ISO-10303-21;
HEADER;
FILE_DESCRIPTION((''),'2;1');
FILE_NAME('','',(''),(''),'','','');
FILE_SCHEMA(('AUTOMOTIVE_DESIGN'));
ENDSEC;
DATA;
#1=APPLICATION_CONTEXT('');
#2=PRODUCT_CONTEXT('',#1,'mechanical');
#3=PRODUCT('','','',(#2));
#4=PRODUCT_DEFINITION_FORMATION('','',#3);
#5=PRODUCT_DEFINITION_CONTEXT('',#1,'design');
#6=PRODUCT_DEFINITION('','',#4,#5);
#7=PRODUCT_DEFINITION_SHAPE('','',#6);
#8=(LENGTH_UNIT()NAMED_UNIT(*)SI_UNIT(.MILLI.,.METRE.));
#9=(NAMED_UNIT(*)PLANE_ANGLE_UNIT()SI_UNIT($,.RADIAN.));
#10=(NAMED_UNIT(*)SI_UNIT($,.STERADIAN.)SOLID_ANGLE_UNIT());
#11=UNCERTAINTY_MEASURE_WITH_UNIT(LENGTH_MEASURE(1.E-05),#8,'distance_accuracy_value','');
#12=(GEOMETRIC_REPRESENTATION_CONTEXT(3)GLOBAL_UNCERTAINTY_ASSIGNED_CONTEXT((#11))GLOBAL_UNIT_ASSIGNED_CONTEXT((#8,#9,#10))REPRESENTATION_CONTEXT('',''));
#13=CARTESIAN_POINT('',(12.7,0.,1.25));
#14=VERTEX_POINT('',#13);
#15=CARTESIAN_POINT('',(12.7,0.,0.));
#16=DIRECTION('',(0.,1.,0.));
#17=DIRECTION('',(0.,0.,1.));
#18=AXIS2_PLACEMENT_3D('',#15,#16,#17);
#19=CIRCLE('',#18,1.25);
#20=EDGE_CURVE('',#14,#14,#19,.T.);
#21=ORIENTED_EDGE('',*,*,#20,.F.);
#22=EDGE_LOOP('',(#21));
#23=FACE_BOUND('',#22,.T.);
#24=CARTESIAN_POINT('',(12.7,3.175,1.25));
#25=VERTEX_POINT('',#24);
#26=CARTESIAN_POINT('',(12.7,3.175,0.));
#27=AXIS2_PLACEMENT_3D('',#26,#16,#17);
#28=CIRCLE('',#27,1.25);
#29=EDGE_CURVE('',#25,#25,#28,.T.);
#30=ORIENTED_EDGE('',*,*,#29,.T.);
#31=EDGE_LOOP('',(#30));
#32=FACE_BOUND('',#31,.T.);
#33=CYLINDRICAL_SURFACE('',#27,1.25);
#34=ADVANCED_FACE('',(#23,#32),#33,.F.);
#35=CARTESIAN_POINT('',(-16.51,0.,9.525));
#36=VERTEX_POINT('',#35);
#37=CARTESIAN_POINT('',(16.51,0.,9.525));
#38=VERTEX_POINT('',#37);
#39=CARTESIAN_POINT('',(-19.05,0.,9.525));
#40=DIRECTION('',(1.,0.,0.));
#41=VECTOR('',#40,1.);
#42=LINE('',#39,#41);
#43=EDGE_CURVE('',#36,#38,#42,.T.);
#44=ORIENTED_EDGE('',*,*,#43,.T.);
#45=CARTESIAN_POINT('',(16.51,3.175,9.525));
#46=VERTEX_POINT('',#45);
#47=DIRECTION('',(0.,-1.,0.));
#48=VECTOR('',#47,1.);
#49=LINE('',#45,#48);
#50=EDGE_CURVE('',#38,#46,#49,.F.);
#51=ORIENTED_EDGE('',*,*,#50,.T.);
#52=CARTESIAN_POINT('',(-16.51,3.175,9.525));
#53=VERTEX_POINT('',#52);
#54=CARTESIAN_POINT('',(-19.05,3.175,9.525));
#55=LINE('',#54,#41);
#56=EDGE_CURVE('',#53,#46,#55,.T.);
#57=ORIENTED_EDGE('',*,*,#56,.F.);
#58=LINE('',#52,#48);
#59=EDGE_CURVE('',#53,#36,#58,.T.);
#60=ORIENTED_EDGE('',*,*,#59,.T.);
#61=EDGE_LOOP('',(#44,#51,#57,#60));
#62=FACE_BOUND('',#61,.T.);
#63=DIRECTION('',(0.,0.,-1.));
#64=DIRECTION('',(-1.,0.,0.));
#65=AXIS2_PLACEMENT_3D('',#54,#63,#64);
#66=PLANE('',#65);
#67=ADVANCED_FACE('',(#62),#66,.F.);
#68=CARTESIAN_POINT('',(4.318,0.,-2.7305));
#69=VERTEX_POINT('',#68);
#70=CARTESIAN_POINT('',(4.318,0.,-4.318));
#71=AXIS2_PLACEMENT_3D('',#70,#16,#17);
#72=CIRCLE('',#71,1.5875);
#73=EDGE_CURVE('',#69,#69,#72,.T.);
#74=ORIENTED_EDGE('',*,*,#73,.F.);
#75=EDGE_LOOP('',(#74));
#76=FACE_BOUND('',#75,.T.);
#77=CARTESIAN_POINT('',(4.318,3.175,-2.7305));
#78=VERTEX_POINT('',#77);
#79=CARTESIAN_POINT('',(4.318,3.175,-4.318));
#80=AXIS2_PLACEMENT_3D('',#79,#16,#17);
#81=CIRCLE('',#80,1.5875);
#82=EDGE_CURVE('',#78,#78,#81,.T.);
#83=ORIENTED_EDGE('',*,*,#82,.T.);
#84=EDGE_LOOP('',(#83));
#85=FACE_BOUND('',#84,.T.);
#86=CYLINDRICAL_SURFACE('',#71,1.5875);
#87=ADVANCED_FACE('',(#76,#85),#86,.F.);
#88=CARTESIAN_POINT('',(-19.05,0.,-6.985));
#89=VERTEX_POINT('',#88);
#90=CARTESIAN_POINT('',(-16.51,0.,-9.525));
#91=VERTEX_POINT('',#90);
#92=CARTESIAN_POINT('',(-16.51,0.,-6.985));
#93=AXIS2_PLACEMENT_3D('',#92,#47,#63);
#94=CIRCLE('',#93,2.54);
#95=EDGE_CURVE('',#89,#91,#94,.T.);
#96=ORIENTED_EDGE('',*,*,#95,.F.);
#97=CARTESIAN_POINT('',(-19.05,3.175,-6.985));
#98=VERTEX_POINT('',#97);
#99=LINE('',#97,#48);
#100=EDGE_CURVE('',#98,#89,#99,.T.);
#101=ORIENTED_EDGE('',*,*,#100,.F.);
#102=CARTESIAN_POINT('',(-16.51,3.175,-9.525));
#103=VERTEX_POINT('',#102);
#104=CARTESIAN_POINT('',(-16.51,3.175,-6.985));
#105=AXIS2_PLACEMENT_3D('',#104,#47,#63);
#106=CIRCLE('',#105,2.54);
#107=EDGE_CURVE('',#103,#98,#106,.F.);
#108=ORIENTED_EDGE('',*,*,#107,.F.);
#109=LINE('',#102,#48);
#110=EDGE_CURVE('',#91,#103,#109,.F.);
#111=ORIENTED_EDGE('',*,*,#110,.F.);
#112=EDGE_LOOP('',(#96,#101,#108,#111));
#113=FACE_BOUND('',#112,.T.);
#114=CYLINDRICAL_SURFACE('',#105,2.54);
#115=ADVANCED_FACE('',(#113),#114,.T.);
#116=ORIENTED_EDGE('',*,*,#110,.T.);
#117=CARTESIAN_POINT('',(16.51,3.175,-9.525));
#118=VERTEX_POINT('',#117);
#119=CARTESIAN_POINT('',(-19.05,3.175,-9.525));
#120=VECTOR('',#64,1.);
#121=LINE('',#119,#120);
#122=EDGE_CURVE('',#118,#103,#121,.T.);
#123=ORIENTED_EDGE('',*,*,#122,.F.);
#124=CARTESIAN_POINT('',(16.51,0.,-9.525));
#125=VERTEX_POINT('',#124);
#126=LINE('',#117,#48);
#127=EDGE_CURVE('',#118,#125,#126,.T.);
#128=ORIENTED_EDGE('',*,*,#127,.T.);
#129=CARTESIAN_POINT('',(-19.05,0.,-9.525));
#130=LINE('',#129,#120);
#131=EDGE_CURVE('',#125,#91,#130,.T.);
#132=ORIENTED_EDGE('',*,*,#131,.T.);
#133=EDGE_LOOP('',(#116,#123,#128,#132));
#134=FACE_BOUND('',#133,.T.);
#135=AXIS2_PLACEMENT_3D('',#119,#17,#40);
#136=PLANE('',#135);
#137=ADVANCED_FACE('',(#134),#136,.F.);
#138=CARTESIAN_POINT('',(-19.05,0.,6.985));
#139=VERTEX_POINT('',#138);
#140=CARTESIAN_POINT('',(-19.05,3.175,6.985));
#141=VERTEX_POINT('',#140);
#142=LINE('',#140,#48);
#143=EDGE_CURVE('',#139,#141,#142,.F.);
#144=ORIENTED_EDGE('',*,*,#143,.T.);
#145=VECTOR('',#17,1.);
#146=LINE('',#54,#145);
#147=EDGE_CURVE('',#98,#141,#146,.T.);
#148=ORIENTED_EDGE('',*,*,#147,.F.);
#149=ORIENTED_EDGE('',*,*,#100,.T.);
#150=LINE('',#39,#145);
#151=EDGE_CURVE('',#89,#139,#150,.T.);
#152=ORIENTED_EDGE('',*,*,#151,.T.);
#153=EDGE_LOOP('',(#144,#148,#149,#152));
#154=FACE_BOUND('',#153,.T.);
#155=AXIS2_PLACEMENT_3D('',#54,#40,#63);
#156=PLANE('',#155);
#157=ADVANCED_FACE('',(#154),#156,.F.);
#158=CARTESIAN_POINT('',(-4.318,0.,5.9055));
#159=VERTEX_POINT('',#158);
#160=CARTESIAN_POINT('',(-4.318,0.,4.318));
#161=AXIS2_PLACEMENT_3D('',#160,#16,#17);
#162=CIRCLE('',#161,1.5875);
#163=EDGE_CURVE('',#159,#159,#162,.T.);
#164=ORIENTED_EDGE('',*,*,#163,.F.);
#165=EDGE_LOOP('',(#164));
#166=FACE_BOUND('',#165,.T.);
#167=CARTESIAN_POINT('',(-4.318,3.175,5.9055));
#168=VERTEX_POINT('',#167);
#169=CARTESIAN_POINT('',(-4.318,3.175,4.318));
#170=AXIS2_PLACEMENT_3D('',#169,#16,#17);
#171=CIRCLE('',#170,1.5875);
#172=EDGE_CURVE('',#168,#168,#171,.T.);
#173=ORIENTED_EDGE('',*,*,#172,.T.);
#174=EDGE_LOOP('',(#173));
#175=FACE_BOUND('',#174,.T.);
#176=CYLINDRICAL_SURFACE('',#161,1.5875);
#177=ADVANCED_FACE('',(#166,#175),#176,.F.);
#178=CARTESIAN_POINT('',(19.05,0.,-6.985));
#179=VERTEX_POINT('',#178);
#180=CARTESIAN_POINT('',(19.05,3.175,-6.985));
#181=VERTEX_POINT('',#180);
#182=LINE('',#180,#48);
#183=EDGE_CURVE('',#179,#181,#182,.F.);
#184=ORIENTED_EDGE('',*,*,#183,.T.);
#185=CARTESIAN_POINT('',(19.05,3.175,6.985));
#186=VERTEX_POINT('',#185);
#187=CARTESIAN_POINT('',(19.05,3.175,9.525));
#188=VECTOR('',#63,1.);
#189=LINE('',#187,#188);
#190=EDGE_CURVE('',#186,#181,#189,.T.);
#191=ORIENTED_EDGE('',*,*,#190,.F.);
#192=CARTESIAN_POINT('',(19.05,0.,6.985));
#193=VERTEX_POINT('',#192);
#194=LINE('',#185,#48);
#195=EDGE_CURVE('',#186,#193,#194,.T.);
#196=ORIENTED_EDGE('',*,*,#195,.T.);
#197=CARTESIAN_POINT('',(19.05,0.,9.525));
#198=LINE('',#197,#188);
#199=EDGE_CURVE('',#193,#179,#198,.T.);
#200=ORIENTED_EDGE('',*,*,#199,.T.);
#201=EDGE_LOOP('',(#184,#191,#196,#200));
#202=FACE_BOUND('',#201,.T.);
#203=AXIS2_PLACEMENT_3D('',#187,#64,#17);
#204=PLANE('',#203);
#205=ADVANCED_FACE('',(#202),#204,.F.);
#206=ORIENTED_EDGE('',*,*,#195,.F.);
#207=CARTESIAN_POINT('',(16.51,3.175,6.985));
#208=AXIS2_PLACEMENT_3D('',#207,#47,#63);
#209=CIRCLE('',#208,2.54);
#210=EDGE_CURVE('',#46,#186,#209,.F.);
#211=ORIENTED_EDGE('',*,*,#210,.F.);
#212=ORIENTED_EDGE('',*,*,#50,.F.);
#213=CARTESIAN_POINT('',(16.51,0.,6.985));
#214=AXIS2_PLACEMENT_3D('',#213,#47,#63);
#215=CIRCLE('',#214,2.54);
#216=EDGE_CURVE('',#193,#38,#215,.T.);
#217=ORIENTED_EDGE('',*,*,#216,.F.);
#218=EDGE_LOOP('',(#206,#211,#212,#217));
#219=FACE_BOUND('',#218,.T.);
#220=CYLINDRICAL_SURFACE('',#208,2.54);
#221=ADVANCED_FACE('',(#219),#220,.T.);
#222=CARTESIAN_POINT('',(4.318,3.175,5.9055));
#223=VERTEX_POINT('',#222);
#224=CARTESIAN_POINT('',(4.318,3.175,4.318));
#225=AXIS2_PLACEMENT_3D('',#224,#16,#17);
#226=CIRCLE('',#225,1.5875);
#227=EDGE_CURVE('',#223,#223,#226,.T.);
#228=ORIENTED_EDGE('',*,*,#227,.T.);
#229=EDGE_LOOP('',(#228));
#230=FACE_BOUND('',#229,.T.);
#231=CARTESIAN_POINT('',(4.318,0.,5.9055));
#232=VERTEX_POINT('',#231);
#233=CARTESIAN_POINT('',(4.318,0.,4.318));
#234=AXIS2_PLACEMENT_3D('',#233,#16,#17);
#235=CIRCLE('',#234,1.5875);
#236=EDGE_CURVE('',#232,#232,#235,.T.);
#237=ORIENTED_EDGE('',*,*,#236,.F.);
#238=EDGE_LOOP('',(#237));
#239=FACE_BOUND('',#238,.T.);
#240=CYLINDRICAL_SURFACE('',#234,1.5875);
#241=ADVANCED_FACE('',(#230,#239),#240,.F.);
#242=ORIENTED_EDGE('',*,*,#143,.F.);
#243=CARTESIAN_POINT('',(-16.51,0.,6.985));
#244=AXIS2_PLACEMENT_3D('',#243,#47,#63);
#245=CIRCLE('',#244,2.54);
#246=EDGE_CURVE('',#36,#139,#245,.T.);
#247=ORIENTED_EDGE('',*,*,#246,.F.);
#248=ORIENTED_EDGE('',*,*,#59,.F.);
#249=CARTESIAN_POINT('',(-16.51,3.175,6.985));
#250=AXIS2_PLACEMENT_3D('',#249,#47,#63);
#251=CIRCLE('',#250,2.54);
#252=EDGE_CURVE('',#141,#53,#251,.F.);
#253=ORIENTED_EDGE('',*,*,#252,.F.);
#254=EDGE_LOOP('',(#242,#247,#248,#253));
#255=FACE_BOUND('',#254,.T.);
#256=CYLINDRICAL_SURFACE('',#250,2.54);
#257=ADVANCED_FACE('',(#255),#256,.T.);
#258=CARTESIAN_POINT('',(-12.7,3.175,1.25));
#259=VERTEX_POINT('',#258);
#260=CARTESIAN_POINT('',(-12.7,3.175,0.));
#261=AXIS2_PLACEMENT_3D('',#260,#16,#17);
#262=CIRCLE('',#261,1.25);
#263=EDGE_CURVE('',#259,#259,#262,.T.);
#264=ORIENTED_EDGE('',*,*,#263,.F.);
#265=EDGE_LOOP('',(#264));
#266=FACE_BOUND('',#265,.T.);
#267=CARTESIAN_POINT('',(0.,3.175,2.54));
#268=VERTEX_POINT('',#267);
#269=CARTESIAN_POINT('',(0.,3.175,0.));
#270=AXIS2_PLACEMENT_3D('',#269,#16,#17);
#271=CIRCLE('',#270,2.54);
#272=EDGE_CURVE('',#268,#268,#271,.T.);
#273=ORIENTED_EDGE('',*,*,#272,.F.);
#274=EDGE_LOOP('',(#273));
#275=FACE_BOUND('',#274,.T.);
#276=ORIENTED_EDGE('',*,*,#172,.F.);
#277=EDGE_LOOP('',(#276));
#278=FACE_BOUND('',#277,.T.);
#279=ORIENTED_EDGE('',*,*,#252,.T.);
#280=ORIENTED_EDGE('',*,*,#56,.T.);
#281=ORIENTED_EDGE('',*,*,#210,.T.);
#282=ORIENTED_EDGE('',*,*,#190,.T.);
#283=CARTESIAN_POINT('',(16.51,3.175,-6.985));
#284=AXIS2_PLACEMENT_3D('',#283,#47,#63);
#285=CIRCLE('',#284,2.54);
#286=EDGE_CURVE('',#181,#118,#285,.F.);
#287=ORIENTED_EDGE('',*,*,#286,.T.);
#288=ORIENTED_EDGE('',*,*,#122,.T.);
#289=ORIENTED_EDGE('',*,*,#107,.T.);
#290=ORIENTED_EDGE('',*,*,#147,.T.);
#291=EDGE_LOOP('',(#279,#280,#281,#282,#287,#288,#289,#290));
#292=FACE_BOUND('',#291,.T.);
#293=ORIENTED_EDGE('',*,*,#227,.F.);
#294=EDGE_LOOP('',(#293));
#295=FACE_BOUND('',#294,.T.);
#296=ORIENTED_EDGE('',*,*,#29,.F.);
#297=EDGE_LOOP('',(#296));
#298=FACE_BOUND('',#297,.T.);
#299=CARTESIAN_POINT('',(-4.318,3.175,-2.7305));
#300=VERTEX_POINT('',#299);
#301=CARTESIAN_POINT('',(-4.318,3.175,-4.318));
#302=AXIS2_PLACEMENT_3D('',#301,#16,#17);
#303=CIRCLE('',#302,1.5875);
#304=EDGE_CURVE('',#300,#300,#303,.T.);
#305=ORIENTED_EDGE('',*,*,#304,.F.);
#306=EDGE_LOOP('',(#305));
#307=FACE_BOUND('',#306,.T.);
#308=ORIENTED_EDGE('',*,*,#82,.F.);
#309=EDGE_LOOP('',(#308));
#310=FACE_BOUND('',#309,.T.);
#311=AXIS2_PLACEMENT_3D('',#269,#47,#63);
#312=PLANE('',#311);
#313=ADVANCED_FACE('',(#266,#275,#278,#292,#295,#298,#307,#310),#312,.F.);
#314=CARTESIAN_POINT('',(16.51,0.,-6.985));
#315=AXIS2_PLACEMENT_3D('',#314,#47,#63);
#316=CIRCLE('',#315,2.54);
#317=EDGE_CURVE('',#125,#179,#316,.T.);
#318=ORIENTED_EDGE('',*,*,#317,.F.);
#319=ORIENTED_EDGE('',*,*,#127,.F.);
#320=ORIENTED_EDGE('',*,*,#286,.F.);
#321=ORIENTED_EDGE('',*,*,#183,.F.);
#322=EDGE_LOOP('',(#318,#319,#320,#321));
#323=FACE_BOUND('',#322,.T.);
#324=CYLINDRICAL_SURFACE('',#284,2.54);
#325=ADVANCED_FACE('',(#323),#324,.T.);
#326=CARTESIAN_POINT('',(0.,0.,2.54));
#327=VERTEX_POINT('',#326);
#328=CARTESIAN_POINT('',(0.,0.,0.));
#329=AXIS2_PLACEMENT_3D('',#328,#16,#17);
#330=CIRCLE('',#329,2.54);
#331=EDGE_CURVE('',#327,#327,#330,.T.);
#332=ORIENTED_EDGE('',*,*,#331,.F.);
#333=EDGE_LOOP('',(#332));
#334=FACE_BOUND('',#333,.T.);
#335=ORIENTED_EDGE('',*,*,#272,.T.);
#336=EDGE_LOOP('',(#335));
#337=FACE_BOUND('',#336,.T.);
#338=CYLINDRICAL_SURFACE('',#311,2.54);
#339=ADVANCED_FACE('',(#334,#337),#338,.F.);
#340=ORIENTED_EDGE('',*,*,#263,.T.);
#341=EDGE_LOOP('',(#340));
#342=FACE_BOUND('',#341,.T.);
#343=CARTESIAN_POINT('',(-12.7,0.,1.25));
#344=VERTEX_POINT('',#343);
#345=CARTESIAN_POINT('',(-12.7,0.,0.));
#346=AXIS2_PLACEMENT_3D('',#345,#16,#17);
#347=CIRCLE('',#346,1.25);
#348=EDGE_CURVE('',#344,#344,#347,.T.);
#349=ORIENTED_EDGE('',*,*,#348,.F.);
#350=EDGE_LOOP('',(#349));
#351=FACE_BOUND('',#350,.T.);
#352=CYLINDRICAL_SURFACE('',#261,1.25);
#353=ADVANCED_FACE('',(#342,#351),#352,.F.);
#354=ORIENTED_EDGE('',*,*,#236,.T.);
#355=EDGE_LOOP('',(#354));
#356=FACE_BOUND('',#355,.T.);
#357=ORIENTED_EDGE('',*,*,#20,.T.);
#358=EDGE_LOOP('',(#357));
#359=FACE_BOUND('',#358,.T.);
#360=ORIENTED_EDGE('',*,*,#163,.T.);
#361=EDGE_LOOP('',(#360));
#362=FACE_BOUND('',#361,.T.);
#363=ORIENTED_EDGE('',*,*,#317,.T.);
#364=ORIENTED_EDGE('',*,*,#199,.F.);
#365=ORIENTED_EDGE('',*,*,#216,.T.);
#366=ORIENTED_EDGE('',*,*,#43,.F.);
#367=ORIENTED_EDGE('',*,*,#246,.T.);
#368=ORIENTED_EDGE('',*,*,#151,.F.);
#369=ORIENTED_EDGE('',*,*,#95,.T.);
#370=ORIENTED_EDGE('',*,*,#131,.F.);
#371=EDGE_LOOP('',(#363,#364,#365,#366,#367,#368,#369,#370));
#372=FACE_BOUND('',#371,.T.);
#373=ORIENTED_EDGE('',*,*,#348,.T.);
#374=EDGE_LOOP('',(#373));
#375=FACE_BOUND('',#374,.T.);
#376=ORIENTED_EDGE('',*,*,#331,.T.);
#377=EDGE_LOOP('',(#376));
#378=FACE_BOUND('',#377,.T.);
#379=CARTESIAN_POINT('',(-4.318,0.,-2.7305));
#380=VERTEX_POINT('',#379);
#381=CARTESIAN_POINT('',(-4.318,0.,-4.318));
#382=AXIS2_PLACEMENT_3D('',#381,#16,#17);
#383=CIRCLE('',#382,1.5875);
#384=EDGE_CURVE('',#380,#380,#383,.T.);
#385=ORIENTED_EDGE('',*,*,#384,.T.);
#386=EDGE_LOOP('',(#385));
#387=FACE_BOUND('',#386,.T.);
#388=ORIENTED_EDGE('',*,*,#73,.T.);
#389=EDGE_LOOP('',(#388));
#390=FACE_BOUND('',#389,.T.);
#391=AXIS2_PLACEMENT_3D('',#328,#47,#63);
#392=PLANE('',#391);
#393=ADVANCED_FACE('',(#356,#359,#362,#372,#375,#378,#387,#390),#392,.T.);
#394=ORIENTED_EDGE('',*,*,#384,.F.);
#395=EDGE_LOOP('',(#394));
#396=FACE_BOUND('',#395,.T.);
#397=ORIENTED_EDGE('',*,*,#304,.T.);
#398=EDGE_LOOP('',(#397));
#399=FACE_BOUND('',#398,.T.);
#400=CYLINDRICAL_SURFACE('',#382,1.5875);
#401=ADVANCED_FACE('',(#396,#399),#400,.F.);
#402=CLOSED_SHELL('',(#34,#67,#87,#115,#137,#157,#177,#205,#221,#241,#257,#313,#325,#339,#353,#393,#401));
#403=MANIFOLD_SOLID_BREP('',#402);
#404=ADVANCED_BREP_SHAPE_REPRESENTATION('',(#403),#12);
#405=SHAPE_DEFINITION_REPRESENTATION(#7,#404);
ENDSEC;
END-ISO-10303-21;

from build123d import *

# Parameters (mm, degrees)
SKETCH1_W             = 38.1
SKETCH1_H             = 19.05
SKETCH1_R             = 2.54
BOSS_EXTRUDE1_DEPTH   = 3.175
SKETCH2_R             = 1.5875
CUT_EXTRUDE1_DEPTH    = 4.175
F_2_5MM_DOWEL_HOLE1_D = 2.5
FILLET1_R             = 2.54


with BuildPart() as part:
    # Sketch1 → Boss-Extrude1 (new body)
    with BuildSketch(Plane(origin=(0, 0, 0), x_dir=(1, 0, 0), z_dir=(0, 1, 0))):
        Rectangle(SKETCH1_W, SKETCH1_H)
        Circle(SKETCH1_R, mode=Mode.SUBTRACT)
    extrude(amount=BOSS_EXTRUDE1_DEPTH)

    # Sketch2 → Cut-Extrude1 (cut, through all)
    with BuildSketch(Plane(origin=(0, 3.175, 0), x_dir=(1, 0, 0), z_dir=(0, 1, 0))):
        with Locations((-4.318, 4.318)):
            Circle(SKETCH2_R)
        with Locations((4.318, 4.318)):
            Circle(SKETCH2_R)
        with Locations((-4.318, -4.318)):
            Circle(SKETCH2_R)
        with Locations((4.318, -4.318)):
            Circle(SKETCH2_R)
    extrude(amount=-CUT_EXTRUDE1_DEPTH, mode=Mode.SUBTRACT)

    # Ø2.5mm Dowel Hole1 (through all)
    with Locations(Plane(origin=(0, 3.175, 0), x_dir=(1, 0, 0), z_dir=(0, 1, 0))):
        with Locations((12.7, 0), (-12.7, 0)):
            Hole(F_2_5MM_DOWEL_HOLE1_D / 2)

    # Fillet1
    fillet1_edges = [part.edges().sort_by_distance(p)[0] for p in [
        (19.05, 1.5875, 9.525),
        (-19.05, 1.5875, 9.525),
        (-19.05, 1.5875, -9.525),
        (19.05, 1.5875, -9.525),
    ]]
    fillet(fillet1_edges, radius=FILLET1_R)


solid = part.part
